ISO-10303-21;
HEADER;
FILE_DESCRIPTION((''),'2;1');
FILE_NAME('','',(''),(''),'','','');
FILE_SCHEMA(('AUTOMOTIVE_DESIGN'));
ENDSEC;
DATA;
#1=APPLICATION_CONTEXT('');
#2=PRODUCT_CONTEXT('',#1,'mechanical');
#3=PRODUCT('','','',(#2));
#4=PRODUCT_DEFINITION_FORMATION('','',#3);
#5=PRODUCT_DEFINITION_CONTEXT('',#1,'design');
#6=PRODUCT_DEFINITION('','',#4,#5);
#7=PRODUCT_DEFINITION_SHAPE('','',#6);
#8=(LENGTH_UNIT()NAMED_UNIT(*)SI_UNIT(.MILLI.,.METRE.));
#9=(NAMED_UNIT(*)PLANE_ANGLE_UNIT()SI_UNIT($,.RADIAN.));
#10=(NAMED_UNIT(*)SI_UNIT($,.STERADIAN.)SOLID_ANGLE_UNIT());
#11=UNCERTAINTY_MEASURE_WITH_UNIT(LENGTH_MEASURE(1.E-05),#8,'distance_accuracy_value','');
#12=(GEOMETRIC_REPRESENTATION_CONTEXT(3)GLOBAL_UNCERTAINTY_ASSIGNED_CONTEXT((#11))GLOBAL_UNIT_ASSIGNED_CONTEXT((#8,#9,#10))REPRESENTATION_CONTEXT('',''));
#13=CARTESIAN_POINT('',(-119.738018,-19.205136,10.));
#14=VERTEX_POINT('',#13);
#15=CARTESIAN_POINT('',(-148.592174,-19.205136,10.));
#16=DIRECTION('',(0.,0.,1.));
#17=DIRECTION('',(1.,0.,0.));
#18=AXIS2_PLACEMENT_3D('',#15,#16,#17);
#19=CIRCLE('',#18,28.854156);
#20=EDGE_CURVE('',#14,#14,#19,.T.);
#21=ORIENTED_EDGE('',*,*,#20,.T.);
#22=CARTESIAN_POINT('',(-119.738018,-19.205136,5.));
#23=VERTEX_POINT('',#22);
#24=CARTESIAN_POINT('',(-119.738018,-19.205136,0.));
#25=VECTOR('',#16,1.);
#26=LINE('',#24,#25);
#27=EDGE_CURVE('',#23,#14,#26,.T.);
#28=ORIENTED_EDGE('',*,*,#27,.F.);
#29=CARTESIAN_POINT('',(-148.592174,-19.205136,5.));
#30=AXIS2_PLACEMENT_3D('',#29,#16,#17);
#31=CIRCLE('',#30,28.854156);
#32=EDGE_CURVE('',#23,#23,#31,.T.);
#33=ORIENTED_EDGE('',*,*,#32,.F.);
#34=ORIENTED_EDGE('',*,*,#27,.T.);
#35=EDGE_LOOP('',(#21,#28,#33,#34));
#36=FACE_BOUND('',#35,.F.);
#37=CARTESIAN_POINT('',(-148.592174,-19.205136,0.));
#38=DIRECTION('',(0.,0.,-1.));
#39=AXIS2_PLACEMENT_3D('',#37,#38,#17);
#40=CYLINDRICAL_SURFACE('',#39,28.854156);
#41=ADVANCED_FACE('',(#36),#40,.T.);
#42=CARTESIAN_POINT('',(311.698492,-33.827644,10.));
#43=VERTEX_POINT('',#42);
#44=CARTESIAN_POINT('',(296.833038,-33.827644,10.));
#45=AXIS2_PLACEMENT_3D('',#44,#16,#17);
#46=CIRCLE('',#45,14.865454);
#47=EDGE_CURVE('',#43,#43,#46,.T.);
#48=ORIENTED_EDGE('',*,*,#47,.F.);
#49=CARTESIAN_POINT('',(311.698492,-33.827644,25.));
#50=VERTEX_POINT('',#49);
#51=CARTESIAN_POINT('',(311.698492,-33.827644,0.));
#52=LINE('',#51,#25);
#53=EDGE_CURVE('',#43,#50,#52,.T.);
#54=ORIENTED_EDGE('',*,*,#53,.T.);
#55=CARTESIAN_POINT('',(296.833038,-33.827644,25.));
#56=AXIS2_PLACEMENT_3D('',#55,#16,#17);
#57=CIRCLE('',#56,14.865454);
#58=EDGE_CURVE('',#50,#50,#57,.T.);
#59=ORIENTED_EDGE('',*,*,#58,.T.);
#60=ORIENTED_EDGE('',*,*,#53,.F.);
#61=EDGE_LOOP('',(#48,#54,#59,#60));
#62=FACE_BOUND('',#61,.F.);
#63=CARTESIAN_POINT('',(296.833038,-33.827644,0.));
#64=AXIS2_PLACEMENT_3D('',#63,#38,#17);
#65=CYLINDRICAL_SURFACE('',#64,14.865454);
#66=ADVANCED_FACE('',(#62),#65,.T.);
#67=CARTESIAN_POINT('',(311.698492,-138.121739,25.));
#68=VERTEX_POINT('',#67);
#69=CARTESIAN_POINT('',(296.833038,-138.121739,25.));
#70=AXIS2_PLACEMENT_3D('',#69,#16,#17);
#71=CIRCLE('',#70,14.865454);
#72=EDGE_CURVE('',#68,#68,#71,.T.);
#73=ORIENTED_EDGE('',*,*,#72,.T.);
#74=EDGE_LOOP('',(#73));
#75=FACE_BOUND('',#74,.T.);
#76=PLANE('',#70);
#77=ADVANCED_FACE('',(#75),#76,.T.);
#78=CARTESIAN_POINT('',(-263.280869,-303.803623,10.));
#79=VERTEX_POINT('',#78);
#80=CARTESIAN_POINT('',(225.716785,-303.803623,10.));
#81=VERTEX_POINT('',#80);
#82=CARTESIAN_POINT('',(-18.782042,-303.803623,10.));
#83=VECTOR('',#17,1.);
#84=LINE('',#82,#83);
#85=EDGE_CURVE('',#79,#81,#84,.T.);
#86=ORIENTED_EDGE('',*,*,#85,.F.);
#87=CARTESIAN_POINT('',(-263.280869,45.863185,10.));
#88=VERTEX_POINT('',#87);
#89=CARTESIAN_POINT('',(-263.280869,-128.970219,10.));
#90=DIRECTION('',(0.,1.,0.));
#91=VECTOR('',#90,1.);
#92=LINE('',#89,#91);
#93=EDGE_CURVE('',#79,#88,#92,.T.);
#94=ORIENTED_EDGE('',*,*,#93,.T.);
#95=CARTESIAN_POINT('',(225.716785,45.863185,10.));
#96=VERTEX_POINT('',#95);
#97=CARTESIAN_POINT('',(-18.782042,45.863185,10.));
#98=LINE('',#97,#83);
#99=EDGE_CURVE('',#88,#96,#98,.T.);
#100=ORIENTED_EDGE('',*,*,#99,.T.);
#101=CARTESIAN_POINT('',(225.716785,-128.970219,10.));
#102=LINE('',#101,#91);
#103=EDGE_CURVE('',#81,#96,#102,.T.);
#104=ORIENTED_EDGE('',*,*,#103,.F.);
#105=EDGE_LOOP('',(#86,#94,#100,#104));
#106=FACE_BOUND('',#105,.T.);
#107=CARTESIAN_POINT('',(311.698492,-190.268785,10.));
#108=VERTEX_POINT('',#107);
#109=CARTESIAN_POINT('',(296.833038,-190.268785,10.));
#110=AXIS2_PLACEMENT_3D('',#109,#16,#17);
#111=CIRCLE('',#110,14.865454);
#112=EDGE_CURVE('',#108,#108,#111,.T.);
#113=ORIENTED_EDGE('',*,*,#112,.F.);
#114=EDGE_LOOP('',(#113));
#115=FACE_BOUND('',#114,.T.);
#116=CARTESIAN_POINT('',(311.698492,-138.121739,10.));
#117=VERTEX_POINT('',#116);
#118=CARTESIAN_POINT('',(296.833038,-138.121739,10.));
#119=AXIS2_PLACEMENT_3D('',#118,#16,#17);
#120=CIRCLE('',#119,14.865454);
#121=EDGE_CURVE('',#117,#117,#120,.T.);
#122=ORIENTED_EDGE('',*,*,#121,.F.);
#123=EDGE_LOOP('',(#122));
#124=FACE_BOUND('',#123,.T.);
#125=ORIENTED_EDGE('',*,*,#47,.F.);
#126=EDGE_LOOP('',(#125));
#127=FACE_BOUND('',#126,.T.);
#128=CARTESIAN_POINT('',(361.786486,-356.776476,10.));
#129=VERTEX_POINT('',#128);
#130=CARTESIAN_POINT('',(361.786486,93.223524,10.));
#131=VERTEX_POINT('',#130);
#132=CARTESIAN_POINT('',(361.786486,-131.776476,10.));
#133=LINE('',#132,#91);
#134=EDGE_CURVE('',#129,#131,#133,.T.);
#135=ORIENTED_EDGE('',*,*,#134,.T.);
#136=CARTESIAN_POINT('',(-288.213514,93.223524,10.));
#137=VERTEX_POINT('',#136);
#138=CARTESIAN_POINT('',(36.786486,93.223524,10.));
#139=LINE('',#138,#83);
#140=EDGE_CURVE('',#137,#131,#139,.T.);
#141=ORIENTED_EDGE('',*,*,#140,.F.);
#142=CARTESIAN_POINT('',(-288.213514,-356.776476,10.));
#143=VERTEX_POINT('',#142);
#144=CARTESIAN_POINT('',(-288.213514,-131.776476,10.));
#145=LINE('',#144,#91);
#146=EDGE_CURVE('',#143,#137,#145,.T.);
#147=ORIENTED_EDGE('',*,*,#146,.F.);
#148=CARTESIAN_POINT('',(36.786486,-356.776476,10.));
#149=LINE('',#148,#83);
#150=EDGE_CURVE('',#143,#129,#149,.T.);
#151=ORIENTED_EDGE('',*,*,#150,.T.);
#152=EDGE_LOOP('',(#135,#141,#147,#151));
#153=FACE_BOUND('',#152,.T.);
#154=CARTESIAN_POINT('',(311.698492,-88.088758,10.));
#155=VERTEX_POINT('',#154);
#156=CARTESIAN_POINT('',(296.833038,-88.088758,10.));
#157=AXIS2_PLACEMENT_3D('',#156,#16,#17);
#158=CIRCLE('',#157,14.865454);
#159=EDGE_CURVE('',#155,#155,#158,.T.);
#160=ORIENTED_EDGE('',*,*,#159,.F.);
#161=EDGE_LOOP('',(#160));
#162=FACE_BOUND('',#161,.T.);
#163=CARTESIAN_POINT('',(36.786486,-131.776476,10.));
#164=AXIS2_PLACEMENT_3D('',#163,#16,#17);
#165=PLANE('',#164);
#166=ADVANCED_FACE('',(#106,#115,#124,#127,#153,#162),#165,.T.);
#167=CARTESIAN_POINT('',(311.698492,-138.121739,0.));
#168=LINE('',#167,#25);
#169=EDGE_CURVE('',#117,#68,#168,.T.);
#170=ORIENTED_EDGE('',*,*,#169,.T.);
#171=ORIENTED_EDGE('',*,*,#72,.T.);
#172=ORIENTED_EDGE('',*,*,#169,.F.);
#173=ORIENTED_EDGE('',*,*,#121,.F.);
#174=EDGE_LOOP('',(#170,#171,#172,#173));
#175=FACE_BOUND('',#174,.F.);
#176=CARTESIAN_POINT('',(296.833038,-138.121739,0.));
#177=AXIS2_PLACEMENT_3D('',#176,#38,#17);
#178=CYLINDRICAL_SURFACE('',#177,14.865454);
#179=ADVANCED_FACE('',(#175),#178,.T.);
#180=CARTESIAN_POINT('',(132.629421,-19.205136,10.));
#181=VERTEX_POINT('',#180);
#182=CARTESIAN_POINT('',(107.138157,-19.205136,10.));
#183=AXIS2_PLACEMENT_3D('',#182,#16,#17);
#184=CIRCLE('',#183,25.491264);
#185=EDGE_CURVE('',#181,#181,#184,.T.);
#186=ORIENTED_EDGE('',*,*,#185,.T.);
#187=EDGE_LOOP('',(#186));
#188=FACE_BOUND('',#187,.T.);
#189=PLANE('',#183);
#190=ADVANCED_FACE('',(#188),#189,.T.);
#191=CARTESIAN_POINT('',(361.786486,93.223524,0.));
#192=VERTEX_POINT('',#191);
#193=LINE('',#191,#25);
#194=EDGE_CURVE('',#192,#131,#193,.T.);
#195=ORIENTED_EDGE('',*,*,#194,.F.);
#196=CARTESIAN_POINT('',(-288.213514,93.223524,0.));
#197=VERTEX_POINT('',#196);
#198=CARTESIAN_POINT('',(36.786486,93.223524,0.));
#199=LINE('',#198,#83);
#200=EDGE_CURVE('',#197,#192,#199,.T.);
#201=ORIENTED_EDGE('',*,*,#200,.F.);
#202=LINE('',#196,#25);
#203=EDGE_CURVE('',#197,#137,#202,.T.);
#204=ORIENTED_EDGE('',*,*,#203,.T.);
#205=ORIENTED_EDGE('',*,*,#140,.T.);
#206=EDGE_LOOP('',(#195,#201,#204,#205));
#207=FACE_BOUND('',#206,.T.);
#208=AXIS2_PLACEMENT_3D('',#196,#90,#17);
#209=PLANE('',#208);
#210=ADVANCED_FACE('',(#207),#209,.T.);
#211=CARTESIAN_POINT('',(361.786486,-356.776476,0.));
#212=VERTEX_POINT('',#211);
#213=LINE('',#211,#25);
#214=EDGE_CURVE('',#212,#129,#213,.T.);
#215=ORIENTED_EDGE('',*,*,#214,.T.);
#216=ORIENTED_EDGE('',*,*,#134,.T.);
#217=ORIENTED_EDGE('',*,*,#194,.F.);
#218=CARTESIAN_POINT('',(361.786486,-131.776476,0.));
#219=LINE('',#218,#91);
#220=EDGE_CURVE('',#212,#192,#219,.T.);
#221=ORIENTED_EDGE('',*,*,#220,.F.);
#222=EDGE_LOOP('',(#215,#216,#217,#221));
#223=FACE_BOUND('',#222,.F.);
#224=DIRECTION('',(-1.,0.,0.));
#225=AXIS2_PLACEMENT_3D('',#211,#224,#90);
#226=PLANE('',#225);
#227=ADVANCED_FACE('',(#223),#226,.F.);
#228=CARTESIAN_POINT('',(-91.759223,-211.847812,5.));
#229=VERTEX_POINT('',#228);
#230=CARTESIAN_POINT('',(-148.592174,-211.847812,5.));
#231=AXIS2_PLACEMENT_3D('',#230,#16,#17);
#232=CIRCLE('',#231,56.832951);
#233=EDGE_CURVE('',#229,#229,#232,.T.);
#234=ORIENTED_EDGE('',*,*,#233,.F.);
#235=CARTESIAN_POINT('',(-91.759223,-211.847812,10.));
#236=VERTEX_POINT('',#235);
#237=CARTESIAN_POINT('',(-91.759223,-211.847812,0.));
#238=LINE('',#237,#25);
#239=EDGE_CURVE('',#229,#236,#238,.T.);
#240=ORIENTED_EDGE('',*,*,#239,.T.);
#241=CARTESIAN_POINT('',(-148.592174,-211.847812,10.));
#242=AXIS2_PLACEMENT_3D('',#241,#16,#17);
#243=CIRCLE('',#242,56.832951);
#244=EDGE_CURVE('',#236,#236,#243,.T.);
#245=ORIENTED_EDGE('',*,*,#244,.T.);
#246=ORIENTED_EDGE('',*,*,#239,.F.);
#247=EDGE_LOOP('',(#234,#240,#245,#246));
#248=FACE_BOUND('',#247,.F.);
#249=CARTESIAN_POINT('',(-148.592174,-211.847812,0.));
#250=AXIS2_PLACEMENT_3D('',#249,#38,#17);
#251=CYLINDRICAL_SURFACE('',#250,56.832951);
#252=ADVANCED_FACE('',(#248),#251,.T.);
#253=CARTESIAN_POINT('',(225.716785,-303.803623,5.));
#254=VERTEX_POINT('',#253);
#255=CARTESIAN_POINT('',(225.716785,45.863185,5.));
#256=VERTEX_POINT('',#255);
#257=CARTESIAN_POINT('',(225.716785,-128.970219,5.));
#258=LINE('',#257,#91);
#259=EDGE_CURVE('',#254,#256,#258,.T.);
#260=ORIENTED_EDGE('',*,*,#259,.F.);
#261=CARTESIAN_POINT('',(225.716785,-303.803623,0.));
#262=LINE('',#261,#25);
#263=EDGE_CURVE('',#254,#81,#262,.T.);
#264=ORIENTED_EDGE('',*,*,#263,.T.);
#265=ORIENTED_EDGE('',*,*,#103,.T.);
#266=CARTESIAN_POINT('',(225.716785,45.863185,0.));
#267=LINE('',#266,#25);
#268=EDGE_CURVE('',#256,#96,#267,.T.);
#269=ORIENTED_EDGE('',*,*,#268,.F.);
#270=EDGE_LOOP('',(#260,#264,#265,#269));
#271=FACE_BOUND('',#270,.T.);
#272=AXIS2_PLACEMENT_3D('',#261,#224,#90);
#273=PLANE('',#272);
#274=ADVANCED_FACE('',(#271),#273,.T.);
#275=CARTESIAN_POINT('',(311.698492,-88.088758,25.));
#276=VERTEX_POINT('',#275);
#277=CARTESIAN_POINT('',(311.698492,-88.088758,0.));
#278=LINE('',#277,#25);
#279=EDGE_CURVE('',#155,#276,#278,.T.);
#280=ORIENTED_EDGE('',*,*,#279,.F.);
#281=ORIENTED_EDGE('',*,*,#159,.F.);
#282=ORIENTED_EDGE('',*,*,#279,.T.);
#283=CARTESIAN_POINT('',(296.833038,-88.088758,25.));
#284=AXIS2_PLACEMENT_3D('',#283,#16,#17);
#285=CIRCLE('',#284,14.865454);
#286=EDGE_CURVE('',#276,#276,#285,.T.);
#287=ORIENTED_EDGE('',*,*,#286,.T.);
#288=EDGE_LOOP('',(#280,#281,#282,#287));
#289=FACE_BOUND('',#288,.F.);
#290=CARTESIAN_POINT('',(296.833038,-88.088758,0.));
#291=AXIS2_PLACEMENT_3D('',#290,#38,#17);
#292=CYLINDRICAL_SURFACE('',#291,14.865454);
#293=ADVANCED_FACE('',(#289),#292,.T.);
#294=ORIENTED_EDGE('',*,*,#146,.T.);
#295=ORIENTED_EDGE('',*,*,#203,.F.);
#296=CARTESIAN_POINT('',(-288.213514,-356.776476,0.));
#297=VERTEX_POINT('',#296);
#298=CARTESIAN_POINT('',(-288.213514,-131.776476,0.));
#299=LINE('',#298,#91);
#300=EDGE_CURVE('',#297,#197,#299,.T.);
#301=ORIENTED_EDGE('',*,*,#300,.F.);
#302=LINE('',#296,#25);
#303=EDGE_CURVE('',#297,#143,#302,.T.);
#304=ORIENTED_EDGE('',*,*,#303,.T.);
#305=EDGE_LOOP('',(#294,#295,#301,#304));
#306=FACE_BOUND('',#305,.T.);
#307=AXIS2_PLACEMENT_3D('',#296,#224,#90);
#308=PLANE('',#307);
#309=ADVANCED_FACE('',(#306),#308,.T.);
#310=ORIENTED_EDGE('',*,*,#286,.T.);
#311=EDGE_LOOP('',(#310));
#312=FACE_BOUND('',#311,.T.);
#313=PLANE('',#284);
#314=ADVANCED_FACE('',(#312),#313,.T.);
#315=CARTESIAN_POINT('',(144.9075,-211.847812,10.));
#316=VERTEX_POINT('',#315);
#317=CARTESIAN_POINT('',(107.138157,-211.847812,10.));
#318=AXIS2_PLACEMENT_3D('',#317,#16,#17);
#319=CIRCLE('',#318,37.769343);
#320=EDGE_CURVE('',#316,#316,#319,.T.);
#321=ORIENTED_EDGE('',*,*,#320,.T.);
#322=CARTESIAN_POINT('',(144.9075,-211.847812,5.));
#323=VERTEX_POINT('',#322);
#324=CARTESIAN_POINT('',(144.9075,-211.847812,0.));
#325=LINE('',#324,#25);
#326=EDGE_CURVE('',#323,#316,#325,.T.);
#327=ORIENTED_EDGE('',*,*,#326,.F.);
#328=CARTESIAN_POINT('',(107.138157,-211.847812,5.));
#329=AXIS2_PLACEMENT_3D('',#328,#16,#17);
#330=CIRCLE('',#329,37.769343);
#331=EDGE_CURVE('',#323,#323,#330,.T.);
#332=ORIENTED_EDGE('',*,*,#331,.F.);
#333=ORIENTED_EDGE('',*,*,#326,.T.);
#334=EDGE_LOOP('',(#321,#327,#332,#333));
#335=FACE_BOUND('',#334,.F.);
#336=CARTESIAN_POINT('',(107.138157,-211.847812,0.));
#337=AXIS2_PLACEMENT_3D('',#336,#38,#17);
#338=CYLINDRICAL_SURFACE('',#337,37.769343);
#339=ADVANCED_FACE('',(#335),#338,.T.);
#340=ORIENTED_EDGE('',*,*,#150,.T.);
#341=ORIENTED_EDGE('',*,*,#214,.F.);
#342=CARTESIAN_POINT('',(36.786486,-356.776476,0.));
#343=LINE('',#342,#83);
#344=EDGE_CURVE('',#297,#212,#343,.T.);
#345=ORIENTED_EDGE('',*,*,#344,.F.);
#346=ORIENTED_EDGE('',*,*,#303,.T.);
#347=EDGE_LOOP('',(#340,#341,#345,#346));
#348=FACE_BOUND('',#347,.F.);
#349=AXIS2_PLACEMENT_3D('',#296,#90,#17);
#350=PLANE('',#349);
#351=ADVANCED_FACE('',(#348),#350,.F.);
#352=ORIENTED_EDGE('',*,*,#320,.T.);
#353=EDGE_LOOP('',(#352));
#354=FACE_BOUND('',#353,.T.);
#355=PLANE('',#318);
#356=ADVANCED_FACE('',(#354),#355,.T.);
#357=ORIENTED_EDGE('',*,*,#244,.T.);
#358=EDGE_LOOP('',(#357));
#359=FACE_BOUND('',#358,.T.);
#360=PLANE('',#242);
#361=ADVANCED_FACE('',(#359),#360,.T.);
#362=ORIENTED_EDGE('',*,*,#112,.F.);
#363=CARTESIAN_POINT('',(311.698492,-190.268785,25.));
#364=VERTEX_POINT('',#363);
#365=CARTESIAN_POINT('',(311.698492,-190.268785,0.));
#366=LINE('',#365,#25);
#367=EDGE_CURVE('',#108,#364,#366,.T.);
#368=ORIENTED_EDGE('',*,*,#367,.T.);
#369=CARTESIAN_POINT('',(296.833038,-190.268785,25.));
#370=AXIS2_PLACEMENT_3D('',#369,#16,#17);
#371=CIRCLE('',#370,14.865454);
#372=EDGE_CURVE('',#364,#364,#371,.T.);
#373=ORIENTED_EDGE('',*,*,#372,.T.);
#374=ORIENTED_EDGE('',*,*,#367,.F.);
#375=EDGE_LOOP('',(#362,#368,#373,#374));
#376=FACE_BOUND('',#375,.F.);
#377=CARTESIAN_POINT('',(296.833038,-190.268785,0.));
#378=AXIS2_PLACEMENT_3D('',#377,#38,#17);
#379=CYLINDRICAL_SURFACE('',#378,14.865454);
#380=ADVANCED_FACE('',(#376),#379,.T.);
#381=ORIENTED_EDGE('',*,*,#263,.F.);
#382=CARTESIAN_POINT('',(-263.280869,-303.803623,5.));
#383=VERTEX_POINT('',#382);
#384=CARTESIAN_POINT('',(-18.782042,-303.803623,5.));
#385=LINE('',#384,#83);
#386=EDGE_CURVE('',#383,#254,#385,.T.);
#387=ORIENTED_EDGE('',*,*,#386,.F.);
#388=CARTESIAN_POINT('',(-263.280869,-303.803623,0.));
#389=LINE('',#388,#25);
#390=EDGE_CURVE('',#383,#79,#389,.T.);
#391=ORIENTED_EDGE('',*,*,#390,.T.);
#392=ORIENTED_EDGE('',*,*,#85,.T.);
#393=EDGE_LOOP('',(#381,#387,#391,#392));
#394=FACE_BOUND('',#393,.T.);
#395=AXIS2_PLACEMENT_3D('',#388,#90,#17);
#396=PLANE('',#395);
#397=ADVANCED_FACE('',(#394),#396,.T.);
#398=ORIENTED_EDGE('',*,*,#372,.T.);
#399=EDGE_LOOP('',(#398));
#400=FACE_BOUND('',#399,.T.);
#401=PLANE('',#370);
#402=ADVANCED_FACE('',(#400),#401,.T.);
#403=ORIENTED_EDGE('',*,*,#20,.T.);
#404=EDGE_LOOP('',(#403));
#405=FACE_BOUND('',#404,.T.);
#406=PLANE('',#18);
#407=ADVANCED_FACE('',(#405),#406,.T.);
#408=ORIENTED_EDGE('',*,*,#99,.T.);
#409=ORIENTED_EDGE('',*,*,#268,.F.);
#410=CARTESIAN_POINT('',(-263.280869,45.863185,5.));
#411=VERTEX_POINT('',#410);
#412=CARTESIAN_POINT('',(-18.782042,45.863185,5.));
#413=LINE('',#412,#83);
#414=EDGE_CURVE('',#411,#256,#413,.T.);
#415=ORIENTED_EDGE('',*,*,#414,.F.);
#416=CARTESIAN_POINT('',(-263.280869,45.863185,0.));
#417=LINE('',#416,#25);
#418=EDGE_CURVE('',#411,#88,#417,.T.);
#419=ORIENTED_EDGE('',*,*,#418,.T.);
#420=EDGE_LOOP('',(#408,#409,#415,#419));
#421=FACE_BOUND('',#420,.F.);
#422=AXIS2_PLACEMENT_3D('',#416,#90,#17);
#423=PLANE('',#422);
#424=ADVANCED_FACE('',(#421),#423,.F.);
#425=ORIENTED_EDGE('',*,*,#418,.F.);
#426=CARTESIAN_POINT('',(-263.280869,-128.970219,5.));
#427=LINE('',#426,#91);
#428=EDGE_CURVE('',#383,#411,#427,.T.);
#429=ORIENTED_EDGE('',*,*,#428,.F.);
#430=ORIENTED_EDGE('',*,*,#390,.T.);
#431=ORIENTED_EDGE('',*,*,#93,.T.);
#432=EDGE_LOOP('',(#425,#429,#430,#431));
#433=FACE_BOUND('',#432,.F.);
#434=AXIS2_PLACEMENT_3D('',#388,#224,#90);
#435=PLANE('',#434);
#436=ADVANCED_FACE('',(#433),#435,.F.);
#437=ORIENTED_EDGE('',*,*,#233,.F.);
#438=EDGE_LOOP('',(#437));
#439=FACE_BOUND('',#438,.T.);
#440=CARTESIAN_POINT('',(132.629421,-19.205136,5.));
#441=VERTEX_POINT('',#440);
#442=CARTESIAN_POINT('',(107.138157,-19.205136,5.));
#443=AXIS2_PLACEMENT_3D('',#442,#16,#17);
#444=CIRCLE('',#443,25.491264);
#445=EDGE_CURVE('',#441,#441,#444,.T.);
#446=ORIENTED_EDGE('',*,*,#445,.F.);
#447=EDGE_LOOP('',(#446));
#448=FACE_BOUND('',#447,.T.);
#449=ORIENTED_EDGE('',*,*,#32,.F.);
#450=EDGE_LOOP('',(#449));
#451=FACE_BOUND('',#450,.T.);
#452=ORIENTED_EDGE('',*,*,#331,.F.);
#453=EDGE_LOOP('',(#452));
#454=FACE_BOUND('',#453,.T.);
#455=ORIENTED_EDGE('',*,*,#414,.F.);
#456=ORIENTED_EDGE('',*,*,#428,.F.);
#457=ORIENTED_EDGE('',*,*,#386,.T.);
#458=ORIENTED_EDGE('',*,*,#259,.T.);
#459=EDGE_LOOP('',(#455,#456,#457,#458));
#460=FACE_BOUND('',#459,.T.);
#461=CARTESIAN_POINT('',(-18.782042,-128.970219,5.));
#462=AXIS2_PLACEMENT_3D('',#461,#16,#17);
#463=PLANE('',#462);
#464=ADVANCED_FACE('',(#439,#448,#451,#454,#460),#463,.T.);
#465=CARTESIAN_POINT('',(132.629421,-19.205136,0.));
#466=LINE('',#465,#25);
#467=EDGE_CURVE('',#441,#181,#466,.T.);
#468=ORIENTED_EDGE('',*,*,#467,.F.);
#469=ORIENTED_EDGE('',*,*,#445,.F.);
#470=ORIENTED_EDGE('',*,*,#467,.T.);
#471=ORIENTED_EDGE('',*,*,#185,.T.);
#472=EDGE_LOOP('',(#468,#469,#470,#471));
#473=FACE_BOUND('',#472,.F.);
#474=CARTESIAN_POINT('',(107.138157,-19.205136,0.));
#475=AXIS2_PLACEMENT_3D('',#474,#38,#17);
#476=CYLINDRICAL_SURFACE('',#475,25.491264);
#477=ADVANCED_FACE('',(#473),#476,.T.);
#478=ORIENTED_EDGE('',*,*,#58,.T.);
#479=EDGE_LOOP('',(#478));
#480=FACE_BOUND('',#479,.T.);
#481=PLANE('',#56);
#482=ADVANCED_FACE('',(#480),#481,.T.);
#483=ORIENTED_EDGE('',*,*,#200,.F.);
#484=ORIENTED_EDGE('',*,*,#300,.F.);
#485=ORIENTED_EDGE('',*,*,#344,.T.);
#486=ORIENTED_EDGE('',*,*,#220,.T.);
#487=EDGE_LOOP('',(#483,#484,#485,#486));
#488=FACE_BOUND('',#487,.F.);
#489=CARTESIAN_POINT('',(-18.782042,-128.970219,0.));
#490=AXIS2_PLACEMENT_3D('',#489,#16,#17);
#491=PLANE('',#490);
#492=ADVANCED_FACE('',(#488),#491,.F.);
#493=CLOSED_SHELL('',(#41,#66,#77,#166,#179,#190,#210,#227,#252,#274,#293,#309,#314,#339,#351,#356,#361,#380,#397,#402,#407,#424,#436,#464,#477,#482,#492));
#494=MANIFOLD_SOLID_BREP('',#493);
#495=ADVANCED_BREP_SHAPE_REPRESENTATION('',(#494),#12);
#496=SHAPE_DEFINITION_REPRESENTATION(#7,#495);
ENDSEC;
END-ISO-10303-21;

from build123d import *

# Parameters (mm, degrees)
F0_W     = 650
F0_H     = 450
F0_R     = 14.865454
F0_W_2   = 488.997654
F0_H_2   = 349.666808
F1_DEPTH = 10
F0_R_2   = 56.832951
F0_R_3   = 37.769343
F0_R_4   = 28.854156
F0_R_5   = 25.491264
F2_DEPTH = 5
F3_DEPTH = 10
F4_DEPTH = 25


with BuildPart() as f1:
    # F0 (on Top) → F1 (new body)
    with BuildSketch(Plane.XY):
        with Locations((36.786486, -131.776476)):
            Rectangle(F0_W, F0_H)
        with Locations((296.833038, -190.268785)):
            Circle(F0_R, mode=Mode.SUBTRACT)
        with Locations((296.833038, -138.121739)):
            Circle(F0_R, mode=Mode.SUBTRACT)
        with Locations((-18.782042, -128.970219)):
            Rectangle(F0_W_2, F0_H_2, mode=Mode.SUBTRACT)
        with Locations((296.833038, -88.088758)):
            Circle(F0_R, mode=Mode.SUBTRACT)
        with Locations((296.833038, -33.827644)):
            Circle(F0_R, mode=Mode.SUBTRACT)
    extrude(amount=F1_DEPTH)

    # F0 (on Top) → F2 (join)
    with BuildSketch(Plane.XY):
        with Locations((-18.782042, -128.970219)):
            Rectangle(F0_W_2, F0_H_2)
        with Locations((-148.592174, -211.847812)):
            Circle(F0_R_2, mode=Mode.SUBTRACT)
        with Locations((107.138157, -211.847812)):
            Circle(F0_R_3, mode=Mode.SUBTRACT)
        with Locations((-148.592174, -19.205136)):
            Circle(F0_R_4, mode=Mode.SUBTRACT)
        with Locations((107.138157, -19.205136)):
            Circle(F0_R_5, mode=Mode.SUBTRACT)
    extrude(amount=F2_DEPTH)

    # F0 (on Top) → F3 (join)
    with BuildSketch(Plane.XY):
        with Locations((-148.592174, -19.205136)):
            Circle(F0_R_4)
        with Locations((107.138157, -19.205136)):
            Circle(F0_R_5)
        with Locations((107.138157, -211.847812)):
            Circle(F0_R_3)
        with Locations((-148.592174, -211.847812)):
            Circle(F0_R_2)
    extrude(amount=F3_DEPTH)

    # F0 (on Top) → F4 (join)
    with BuildSketch(Plane.XY):
        with Locations((296.833038, -33.827644)):
            Circle(F0_R)
        with Locations((296.833038, -88.088758)):
            Circle(F0_R)
        with Locations((296.833038, -138.121739)):
            Circle(F0_R)
        with Locations((296.833038, -190.268785)):
            Circle(F0_R)
    extrude(amount=F4_DEPTH)


solid = f1.part
